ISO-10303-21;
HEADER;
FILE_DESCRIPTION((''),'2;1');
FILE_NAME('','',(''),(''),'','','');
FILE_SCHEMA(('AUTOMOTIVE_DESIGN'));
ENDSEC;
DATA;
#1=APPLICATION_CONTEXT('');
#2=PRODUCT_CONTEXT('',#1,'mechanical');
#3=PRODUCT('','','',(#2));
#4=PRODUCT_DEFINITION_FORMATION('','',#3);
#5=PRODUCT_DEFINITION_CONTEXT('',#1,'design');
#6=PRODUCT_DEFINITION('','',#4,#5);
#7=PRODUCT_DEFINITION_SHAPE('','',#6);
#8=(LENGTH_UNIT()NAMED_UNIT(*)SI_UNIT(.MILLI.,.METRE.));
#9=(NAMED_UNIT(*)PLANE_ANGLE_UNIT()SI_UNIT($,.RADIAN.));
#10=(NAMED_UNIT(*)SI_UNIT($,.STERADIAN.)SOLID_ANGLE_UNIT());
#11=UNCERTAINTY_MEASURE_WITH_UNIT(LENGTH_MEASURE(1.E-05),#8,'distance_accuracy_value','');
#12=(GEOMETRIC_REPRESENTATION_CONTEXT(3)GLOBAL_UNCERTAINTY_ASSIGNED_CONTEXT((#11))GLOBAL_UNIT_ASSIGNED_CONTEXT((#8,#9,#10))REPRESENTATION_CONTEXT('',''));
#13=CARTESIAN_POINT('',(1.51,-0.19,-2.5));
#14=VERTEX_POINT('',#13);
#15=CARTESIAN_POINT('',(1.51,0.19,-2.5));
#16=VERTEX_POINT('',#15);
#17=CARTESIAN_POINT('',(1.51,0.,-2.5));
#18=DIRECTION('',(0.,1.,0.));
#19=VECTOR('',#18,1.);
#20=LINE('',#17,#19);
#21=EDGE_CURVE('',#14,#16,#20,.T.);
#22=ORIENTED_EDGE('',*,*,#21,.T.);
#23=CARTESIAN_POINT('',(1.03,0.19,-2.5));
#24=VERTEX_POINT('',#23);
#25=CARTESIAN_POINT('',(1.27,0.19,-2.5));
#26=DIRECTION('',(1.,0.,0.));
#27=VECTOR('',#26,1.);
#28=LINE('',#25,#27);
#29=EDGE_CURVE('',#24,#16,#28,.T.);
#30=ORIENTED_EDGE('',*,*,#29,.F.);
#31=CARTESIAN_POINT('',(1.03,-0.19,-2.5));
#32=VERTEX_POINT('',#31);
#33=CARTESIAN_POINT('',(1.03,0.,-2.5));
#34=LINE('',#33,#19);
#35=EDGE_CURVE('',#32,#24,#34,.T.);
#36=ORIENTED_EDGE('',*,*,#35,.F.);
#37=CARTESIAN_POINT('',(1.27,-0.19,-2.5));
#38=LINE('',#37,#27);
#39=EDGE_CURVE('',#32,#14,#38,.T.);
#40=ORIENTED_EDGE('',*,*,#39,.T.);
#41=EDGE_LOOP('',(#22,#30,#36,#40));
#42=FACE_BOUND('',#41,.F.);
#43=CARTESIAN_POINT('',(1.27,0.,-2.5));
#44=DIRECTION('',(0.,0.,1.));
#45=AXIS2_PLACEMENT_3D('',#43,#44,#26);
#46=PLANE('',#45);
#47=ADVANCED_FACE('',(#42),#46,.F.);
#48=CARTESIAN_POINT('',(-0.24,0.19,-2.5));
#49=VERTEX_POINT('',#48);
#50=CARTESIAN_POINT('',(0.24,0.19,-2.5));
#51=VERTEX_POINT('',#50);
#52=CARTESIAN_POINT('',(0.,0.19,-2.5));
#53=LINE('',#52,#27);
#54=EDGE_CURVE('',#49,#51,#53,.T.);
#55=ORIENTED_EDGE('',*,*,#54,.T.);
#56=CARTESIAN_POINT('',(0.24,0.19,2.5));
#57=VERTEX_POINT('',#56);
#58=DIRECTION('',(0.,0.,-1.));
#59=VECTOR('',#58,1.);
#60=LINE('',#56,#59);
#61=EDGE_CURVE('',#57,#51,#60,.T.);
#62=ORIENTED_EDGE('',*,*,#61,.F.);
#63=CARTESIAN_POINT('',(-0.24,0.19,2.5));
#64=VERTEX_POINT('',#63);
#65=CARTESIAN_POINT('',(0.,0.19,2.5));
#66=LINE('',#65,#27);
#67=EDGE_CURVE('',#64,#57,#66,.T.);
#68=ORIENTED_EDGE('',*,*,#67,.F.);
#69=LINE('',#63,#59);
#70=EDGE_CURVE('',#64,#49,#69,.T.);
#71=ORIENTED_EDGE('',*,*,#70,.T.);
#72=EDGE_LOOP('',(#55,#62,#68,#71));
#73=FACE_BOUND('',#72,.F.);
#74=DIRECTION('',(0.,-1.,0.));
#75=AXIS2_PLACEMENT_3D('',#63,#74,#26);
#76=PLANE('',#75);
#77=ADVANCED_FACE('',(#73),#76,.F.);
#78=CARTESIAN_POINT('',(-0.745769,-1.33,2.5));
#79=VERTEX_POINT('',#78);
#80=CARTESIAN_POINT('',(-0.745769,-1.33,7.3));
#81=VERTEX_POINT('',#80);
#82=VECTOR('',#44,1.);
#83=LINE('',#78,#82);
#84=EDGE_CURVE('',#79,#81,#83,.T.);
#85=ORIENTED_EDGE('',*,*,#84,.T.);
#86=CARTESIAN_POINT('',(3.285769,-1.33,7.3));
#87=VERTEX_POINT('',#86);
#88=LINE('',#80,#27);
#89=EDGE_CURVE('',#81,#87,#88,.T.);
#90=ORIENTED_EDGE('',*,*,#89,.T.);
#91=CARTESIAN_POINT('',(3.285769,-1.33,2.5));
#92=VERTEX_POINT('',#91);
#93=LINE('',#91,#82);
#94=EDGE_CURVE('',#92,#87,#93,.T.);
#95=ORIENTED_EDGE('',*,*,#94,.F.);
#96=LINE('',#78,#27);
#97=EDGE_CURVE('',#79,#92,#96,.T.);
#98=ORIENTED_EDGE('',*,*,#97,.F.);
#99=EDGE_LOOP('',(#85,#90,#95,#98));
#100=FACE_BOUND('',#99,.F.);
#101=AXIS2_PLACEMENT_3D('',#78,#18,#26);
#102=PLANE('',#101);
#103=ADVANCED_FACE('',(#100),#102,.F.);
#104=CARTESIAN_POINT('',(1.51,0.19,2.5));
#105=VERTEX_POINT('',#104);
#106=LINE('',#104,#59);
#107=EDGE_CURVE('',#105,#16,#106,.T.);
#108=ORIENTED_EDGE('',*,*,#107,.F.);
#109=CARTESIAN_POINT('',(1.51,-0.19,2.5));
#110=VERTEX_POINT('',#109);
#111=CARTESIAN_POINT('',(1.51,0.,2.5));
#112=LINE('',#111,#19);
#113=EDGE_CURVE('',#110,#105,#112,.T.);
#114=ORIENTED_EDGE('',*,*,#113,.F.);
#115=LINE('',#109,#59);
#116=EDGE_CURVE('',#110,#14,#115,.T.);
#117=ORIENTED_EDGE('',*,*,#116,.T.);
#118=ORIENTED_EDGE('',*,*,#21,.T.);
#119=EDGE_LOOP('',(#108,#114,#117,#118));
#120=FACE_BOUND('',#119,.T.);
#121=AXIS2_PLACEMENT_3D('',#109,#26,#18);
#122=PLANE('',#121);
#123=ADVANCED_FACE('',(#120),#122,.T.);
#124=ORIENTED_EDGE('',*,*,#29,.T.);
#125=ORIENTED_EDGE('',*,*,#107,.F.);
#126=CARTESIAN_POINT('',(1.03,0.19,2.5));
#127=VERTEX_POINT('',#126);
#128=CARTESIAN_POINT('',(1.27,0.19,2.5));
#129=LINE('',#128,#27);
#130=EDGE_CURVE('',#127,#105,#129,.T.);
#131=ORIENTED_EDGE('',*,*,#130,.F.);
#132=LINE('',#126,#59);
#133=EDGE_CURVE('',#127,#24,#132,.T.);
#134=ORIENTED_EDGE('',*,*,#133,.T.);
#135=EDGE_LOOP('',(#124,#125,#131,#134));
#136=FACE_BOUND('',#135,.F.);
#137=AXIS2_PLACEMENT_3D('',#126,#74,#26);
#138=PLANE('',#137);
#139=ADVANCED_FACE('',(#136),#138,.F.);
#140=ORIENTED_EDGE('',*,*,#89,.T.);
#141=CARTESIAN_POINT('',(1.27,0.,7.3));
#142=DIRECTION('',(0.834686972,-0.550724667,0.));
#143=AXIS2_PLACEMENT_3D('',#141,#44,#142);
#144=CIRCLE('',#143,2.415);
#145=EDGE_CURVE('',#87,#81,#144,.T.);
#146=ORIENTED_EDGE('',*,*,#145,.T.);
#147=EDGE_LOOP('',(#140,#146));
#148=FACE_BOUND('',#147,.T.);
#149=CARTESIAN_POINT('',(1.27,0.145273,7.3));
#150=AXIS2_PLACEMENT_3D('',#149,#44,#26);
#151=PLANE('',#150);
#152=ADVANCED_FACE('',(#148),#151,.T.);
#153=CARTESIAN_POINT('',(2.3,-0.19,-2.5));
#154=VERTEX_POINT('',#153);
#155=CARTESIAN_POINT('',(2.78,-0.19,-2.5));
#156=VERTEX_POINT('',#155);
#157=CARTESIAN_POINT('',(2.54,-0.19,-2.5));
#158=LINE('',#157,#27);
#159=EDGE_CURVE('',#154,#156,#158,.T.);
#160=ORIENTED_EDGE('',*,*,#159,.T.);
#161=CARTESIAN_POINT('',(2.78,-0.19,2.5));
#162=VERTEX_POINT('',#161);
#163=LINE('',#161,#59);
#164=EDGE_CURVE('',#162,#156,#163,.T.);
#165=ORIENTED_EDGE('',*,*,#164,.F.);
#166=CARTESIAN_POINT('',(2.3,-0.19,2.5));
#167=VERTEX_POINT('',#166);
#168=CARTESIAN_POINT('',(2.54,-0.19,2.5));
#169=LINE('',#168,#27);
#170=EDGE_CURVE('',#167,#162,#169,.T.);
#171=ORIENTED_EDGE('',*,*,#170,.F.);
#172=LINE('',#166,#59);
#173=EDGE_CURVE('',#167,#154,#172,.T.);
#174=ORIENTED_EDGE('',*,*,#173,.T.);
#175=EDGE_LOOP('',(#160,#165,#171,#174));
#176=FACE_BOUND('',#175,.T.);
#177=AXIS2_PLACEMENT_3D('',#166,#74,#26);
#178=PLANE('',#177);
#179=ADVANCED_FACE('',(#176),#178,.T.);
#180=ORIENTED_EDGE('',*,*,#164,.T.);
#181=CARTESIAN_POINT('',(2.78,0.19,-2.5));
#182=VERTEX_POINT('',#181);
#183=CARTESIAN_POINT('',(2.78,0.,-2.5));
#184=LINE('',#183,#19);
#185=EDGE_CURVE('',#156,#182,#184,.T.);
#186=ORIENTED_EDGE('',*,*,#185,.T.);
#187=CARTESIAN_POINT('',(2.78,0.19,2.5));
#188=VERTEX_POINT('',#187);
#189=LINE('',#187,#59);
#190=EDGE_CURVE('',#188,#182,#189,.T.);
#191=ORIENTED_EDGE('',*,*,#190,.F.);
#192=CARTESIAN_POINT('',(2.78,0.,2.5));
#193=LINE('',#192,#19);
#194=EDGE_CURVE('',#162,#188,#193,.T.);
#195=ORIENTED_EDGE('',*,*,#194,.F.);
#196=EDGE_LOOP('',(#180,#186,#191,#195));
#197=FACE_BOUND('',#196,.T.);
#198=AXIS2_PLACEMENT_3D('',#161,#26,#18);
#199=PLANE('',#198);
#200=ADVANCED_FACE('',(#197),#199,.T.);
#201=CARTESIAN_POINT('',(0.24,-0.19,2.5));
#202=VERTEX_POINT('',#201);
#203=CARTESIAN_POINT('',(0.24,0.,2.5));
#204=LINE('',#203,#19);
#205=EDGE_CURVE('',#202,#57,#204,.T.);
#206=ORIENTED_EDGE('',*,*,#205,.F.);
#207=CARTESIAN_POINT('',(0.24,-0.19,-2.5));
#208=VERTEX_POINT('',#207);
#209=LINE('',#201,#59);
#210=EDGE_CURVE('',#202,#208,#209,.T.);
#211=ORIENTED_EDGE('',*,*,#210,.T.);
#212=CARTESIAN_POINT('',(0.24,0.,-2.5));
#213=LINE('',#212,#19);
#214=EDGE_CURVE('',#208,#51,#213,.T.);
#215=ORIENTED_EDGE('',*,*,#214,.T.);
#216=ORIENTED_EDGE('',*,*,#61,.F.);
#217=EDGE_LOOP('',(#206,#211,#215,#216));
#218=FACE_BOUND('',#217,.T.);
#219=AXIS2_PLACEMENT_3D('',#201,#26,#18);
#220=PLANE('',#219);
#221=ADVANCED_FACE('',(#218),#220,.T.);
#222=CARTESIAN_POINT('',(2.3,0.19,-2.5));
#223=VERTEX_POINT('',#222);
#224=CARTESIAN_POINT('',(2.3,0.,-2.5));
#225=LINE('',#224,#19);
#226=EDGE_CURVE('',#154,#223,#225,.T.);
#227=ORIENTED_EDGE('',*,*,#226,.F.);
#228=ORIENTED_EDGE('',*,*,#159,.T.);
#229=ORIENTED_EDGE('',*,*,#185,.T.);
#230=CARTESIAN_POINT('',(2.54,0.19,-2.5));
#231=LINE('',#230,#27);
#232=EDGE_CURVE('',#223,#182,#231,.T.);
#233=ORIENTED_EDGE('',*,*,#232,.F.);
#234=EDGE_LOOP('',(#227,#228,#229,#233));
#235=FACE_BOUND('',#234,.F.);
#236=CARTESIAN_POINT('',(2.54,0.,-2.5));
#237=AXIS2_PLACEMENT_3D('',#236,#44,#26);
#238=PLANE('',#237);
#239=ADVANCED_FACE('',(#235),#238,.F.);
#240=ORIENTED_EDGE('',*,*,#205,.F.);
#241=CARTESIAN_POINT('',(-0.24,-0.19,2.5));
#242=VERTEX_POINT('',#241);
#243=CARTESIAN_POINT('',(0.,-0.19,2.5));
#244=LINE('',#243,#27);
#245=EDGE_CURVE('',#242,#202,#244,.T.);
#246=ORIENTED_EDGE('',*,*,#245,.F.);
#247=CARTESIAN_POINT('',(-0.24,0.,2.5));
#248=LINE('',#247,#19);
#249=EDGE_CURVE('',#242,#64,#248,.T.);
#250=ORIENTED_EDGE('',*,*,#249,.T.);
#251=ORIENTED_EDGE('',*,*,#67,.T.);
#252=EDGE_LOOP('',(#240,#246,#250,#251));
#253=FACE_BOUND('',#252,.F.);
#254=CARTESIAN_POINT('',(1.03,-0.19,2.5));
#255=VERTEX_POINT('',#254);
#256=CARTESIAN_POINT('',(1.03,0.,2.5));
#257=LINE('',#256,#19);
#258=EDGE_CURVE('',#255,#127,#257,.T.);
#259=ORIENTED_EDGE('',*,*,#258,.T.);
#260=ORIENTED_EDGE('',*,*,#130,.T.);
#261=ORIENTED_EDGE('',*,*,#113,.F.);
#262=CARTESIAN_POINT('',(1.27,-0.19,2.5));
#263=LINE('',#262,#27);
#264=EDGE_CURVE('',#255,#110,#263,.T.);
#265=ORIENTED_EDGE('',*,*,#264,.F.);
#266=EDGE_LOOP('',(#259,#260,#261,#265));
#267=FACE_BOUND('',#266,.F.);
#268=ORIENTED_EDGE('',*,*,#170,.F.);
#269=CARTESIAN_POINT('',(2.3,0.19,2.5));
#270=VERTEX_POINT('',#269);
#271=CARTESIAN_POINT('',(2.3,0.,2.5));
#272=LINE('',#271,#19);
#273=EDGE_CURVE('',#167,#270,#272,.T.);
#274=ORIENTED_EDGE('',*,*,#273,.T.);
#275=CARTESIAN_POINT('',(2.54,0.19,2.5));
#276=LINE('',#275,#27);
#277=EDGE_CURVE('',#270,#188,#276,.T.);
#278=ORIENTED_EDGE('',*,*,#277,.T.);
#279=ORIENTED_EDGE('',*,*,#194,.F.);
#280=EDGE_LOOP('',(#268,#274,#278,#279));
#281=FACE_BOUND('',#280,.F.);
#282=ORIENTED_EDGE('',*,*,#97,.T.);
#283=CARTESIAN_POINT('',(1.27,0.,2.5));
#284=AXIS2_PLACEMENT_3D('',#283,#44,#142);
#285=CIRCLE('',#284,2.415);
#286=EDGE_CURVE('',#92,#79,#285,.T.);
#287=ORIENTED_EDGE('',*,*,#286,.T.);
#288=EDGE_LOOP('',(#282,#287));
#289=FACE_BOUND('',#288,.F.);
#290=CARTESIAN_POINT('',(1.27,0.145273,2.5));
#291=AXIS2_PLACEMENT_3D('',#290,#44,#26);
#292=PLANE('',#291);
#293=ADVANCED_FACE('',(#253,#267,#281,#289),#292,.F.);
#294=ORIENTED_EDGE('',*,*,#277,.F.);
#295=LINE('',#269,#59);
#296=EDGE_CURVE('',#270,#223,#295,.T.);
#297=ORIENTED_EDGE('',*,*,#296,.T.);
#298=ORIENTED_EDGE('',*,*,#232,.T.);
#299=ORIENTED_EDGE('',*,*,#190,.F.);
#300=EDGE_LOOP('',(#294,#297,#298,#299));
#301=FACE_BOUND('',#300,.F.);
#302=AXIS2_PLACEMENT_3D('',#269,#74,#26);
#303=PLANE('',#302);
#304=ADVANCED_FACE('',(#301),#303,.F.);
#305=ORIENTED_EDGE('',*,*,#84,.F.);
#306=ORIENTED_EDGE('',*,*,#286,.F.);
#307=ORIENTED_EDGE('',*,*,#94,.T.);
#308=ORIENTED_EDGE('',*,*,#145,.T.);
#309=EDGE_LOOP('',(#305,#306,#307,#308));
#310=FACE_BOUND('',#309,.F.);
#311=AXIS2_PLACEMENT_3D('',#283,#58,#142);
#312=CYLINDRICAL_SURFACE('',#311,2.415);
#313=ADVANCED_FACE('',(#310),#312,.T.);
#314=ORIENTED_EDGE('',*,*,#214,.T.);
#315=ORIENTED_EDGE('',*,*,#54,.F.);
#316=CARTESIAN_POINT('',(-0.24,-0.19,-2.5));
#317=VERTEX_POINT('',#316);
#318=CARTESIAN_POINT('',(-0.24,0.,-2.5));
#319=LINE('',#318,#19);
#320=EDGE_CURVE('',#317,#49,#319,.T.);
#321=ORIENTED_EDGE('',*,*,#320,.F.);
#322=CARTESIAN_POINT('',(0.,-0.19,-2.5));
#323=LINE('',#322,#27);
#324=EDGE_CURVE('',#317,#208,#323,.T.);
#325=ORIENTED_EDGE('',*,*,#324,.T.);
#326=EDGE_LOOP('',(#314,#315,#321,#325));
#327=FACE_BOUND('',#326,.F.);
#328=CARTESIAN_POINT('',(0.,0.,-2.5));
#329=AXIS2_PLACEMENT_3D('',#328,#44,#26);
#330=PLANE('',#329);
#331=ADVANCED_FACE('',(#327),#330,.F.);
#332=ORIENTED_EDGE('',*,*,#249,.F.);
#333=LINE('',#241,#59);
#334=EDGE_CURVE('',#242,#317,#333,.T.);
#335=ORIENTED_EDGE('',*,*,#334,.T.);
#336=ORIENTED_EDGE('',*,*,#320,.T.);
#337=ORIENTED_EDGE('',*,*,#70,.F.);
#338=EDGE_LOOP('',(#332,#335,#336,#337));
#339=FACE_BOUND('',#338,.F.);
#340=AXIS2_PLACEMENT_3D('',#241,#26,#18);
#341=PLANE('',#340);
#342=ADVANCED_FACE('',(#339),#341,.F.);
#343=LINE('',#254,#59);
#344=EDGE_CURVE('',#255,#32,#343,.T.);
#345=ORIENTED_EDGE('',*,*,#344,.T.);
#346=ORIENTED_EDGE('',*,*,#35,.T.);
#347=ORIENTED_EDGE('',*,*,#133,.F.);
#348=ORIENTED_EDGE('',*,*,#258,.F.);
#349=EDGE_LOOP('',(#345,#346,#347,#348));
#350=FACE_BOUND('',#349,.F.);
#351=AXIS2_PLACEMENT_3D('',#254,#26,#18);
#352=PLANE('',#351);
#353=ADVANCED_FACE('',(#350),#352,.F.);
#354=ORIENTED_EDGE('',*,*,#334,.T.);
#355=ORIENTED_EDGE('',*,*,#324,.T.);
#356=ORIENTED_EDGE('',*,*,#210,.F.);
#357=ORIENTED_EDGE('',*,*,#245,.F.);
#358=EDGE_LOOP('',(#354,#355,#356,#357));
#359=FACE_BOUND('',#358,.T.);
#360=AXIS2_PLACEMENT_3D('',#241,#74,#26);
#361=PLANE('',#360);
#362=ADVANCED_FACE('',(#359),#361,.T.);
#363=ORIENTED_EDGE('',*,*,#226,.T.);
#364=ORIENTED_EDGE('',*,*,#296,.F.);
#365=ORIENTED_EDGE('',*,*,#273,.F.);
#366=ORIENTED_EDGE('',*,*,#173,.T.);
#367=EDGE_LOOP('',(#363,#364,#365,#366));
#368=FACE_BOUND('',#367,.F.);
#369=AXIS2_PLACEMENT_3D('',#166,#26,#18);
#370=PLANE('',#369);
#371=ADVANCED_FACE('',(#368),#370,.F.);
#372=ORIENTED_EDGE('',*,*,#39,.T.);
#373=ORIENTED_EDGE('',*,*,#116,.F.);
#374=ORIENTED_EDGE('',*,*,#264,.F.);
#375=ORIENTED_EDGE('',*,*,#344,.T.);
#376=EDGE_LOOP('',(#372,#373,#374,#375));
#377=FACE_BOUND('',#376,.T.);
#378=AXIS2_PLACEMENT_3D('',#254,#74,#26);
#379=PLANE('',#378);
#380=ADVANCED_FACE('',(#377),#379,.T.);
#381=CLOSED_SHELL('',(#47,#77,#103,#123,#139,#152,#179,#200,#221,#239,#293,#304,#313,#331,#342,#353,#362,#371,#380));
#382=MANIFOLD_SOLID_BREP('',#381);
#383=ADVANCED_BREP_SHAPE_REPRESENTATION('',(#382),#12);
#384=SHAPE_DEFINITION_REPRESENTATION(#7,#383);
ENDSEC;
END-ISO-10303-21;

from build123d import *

# Parameters (mm, degrees)
SKETCH001_W  = 0.48
SKETCH001_H  = 0.38
PAD001_DEPTH = 5
PAD_DEPTH    = 4.8


with BuildPart() as pad001:
    # Sketch001 → Pad001 (new body)
    with BuildSketch(Plane.XY.offset(2.5)):
        Rectangle(SKETCH001_W, SKETCH001_H)
        with Locations((1.27, 0)):
            Rectangle(SKETCH001_W, SKETCH001_H)
        with Locations((2.54, 0)):
            Rectangle(SKETCH001_W, SKETCH001_H)
    extrude(amount=-PAD001_DEPTH)


with BuildPart() as to_92_inline_narrow:
    # Sketch → Pad (new body)
    with BuildSketch(Plane.XY.offset(2.5)):
        with BuildLine():
            Line((-0.745769, -1.33), (3.285769, -1.33))
            ThreePointArc((3.285769, -1.33), (1.27, 2.415), (-0.745769, -1.33))
        make_face()
    extrude(amount=PAD_DEPTH)

    # Pad_mp_cp: union Pad001
    add(pad001.part)


solid = to_92_inline_narrow.part
